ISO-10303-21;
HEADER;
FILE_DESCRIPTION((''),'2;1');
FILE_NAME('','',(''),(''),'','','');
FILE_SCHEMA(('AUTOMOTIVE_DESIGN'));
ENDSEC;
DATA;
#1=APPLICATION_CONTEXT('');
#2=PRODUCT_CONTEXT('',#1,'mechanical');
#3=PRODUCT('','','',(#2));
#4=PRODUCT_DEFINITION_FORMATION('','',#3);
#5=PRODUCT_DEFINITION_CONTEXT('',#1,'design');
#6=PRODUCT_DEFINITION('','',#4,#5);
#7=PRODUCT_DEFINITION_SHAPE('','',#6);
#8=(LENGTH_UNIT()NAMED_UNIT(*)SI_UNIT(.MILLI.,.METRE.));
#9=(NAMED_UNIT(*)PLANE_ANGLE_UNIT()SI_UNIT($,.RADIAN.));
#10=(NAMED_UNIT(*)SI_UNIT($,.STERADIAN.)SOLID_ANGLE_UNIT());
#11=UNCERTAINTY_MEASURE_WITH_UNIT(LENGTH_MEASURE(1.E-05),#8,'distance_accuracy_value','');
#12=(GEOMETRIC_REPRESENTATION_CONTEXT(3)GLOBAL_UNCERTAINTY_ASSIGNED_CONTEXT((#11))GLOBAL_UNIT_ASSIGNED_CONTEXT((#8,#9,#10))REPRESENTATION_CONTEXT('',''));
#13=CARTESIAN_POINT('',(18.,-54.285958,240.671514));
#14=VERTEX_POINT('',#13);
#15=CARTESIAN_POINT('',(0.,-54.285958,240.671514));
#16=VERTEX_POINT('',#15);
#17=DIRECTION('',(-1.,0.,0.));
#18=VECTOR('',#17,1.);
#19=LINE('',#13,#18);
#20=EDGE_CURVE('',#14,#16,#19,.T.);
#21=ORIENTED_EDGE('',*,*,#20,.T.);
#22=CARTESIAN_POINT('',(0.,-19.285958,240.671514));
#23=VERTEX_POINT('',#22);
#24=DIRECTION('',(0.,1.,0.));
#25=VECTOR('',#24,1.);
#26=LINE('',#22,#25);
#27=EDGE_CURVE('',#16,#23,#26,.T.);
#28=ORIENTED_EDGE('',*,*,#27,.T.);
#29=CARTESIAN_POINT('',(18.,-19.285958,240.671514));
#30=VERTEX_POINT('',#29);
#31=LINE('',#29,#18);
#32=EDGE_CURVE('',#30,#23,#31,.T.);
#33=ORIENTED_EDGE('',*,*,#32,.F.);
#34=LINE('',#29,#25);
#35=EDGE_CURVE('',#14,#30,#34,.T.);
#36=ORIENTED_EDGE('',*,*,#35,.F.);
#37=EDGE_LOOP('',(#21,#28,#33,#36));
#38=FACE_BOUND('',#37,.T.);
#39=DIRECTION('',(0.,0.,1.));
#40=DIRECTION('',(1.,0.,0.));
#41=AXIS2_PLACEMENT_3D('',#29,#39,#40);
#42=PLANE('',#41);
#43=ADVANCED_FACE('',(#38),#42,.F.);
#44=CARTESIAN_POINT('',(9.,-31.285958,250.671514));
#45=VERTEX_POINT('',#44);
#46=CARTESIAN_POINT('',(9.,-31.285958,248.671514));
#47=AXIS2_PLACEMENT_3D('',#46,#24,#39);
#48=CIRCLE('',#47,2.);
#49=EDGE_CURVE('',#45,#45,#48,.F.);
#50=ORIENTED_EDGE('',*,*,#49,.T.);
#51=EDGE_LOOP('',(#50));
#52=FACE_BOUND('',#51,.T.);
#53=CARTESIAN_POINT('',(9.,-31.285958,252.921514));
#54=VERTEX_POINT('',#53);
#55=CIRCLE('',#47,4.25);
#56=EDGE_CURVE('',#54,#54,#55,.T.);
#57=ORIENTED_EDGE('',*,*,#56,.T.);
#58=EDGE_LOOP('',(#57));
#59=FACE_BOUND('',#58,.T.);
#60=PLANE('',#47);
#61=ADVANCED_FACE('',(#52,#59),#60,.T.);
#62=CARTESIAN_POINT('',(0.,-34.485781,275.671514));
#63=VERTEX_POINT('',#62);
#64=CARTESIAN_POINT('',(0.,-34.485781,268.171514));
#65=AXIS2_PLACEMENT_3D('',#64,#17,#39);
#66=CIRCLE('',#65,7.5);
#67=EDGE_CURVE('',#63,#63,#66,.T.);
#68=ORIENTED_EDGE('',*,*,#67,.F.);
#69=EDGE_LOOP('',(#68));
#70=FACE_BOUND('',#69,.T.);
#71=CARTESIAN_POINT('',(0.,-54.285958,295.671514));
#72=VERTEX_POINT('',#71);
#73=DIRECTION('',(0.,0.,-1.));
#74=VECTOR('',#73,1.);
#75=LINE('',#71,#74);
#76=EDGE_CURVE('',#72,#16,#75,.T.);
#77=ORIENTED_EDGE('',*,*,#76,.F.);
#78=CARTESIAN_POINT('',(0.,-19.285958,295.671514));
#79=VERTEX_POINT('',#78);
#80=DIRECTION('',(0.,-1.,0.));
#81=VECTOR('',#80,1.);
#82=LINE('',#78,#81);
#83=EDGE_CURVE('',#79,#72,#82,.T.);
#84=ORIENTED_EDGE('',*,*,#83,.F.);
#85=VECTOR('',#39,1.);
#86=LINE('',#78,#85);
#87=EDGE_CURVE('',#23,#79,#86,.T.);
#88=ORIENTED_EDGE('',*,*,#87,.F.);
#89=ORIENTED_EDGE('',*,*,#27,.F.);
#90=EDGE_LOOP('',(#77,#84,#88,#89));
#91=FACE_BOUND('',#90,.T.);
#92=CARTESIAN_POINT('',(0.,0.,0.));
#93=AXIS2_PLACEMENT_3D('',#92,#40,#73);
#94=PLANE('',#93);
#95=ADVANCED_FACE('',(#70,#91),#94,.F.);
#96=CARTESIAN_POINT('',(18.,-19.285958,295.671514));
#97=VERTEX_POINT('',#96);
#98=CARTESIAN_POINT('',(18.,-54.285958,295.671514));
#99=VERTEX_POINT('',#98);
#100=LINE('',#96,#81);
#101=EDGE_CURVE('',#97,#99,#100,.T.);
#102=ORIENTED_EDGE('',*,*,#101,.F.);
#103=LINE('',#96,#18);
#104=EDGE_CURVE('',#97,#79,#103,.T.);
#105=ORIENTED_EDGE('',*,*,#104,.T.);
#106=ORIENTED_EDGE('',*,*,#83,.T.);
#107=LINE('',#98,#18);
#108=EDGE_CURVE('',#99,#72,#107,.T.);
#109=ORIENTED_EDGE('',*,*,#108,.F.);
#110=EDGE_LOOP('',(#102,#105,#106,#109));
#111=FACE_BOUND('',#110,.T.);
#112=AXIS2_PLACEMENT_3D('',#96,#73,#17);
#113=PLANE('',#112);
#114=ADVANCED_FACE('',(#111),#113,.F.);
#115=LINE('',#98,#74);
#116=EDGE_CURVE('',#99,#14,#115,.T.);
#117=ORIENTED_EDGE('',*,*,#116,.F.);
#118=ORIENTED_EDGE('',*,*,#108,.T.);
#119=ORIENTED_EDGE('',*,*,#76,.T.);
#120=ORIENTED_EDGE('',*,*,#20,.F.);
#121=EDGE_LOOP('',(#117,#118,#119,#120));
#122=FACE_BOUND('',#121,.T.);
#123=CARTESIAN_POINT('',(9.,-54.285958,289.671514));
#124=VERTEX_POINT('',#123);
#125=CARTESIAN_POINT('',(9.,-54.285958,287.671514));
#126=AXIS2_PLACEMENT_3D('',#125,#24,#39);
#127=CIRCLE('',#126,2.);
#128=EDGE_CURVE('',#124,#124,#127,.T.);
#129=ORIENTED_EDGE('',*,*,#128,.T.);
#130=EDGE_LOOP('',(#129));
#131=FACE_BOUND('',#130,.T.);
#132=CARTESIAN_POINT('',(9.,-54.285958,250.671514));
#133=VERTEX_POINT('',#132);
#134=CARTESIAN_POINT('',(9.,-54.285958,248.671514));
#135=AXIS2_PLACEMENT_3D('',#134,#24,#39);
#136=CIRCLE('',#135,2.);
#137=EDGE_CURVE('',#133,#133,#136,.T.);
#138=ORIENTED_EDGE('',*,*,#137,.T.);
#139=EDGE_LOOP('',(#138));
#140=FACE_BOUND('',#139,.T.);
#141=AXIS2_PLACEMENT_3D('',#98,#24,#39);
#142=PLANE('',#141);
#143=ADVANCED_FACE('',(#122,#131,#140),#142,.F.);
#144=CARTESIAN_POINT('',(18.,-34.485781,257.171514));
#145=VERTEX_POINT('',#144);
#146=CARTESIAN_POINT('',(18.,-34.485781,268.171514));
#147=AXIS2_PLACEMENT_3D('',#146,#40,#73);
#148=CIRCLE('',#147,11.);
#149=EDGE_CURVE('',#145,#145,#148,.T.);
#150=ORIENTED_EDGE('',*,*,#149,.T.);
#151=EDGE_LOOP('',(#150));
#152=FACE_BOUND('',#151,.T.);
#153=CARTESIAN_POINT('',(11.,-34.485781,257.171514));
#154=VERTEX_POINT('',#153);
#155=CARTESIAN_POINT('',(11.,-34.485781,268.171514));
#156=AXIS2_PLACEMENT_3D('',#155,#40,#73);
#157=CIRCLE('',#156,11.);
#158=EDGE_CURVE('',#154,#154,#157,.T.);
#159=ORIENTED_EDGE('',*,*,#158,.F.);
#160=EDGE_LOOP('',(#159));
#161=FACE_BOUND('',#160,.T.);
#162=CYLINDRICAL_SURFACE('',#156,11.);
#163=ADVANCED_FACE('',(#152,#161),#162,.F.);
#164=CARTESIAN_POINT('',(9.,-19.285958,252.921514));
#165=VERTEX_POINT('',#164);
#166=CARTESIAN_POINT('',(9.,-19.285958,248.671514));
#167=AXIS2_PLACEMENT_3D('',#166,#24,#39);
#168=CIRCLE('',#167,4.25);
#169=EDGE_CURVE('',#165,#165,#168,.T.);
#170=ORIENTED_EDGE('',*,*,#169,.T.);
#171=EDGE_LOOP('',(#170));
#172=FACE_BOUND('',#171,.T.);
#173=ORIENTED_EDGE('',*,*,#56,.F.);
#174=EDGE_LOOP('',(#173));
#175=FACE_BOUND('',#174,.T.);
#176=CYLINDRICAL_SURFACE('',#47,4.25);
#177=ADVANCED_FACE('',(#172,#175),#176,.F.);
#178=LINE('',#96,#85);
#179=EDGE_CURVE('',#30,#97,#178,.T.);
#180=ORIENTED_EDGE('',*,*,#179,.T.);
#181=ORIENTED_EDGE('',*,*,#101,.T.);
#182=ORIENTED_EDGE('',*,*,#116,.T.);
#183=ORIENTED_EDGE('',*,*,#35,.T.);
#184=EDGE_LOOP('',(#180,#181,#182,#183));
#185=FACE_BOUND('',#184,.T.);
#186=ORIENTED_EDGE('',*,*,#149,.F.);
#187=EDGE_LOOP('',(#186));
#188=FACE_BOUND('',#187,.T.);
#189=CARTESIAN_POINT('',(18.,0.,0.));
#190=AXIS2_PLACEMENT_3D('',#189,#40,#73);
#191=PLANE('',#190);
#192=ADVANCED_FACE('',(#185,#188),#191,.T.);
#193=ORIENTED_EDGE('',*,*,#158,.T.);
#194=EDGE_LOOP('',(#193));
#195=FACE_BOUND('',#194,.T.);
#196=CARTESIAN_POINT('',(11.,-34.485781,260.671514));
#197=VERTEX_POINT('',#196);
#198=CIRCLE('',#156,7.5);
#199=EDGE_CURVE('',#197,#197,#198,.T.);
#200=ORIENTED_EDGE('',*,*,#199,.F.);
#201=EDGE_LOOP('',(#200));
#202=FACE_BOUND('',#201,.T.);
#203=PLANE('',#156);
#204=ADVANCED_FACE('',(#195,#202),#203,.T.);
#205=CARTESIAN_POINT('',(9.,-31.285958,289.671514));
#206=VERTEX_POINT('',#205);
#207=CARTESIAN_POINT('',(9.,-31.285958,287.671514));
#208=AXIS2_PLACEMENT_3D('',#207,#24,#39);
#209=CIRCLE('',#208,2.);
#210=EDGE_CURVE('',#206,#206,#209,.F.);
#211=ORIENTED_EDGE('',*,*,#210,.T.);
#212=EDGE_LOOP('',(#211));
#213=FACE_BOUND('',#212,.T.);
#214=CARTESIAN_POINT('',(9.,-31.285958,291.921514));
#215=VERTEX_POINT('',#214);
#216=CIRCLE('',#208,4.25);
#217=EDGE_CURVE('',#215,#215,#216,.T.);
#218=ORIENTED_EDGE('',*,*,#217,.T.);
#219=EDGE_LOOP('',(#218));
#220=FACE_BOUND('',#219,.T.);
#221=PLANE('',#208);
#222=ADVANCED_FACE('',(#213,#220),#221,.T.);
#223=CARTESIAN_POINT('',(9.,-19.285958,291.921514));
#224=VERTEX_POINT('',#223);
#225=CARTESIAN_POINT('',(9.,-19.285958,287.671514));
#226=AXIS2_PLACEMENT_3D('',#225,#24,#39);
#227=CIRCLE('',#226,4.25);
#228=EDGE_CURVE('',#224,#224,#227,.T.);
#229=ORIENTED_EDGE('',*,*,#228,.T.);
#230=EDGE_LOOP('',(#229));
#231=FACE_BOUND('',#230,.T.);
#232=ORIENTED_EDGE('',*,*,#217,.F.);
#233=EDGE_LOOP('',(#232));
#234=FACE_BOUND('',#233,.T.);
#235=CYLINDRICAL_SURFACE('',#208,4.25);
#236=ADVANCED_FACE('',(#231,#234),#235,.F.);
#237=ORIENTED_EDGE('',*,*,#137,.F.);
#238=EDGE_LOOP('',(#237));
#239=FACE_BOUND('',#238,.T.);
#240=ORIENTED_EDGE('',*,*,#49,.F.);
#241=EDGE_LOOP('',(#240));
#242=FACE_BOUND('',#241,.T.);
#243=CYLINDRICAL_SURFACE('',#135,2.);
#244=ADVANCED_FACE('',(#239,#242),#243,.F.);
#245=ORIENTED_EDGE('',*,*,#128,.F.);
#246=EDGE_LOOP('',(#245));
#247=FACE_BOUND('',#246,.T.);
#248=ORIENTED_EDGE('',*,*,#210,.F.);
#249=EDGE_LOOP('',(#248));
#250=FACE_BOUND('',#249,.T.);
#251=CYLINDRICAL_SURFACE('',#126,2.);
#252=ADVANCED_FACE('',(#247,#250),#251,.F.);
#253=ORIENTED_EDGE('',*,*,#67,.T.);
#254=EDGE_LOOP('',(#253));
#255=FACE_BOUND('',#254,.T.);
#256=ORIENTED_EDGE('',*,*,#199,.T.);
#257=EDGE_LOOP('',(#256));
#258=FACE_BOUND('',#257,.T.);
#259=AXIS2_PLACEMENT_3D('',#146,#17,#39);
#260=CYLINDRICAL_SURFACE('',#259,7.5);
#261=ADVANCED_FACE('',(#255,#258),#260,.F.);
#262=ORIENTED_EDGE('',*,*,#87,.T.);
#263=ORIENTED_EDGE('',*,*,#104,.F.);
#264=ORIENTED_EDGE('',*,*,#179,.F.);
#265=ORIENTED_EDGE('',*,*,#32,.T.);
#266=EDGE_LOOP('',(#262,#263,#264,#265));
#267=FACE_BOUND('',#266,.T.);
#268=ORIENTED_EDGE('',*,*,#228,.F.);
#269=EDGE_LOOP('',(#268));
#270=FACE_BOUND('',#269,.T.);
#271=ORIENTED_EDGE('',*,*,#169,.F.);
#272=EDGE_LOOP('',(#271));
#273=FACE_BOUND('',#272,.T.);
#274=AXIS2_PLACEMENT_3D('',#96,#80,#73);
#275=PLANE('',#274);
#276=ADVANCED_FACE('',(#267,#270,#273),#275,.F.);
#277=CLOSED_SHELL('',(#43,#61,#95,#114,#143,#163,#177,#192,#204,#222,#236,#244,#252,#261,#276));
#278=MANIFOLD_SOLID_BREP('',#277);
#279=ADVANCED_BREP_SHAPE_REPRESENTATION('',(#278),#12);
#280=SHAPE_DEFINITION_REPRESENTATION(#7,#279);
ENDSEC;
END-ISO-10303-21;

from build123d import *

# Parameters (mm, degrees)
ESQUISSE1_W             = 55
ESQUISSE1_H             = 35
BOSS_EXTRU_1_DEPTH      = 18
ESQUISSE2_R             = 11
ENL_V_MAT_EXTRU_1_DEPTH = 7
ESQUISSE3_R             = 7.5
ENL_V_MAT_EXTRU_2_DEPTH = 302.152136256
ESQUISSE4_R             = 2
ENL_V_MAT_EXTRU_3_DEPTH = 299.279472876
ESQUISSE5_R             = 4.25
ENL_V_MAT_EXTRU_4_DEPTH = 12


with BuildPart() as part:
    # Esquisse1 → Boss.-Extru.1 (new body)
    with BuildSketch(Plane(origin=(0, 0, 0), x_dir=(0, 0, -1), z_dir=(1, 0, 0))):
        with Locations((-268.171513574, -36.785957969)):
            Rectangle(ESQUISSE1_W, ESQUISSE1_H)
    extrude(amount=BOSS_EXTRU_1_DEPTH)

    # Esquisse2 → Enlèv. mat.-Extru.1 (cut)
    with BuildSketch(Plane(origin=(18, 0, 0), x_dir=(0, 0, -1), z_dir=(1, 0, 0))):
        with Locations((-268.171513574, -34.485781453)):
            Circle(ESQUISSE2_R)
    extrude(amount=-ENL_V_MAT_EXTRU_1_DEPTH, mode=Mode.SUBTRACT)

    # Esquisse3 → Enlèv. mat.-Extru.2 (cut, through all)
    with BuildSketch(Plane.ZY):
        with Locations((268.171513574, -34.485781453)):
            Circle(ESQUISSE3_R)
    extrude(amount=-ENL_V_MAT_EXTRU_2_DEPTH, mode=Mode.SUBTRACT)

    # Esquisse4 → Enlèv. mat.-Extru.3 (cut, through all)
    with BuildSketch(Plane(origin=(0, -19.285957969, 0), x_dir=(1, 0, 0), z_dir=(0, 1, 0))):
        with Locations(Location((9, -287.671513574, 0), (0, 0, 270))):
            Circle(ESQUISSE4_R)
        with Locations(Location((9, -248.671513574, 0), (0, 0, 270))):
            Circle(ESQUISSE4_R)
    extrude(amount=-ENL_V_MAT_EXTRU_3_DEPTH, mode=Mode.SUBTRACT)

    # Esquisse5 → Enlèv. mat.-Extru.4 (cut)
    with BuildSketch(Plane(origin=(0, -19.285957969, 0), x_dir=(1, 0, 0), z_dir=(0, 1, 0))):
        with Locations(Location((9, -287.671513574, 0), (0, 0, 270))):
            Circle(ESQUISSE5_R)
        with Locations(Location((9, -248.671513574, 0), (0, 0, 270))):
            Circle(ESQUISSE5_R)
    extrude(amount=-ENL_V_MAT_EXTRU_4_DEPTH, mode=Mode.SUBTRACT)


solid = part.part
